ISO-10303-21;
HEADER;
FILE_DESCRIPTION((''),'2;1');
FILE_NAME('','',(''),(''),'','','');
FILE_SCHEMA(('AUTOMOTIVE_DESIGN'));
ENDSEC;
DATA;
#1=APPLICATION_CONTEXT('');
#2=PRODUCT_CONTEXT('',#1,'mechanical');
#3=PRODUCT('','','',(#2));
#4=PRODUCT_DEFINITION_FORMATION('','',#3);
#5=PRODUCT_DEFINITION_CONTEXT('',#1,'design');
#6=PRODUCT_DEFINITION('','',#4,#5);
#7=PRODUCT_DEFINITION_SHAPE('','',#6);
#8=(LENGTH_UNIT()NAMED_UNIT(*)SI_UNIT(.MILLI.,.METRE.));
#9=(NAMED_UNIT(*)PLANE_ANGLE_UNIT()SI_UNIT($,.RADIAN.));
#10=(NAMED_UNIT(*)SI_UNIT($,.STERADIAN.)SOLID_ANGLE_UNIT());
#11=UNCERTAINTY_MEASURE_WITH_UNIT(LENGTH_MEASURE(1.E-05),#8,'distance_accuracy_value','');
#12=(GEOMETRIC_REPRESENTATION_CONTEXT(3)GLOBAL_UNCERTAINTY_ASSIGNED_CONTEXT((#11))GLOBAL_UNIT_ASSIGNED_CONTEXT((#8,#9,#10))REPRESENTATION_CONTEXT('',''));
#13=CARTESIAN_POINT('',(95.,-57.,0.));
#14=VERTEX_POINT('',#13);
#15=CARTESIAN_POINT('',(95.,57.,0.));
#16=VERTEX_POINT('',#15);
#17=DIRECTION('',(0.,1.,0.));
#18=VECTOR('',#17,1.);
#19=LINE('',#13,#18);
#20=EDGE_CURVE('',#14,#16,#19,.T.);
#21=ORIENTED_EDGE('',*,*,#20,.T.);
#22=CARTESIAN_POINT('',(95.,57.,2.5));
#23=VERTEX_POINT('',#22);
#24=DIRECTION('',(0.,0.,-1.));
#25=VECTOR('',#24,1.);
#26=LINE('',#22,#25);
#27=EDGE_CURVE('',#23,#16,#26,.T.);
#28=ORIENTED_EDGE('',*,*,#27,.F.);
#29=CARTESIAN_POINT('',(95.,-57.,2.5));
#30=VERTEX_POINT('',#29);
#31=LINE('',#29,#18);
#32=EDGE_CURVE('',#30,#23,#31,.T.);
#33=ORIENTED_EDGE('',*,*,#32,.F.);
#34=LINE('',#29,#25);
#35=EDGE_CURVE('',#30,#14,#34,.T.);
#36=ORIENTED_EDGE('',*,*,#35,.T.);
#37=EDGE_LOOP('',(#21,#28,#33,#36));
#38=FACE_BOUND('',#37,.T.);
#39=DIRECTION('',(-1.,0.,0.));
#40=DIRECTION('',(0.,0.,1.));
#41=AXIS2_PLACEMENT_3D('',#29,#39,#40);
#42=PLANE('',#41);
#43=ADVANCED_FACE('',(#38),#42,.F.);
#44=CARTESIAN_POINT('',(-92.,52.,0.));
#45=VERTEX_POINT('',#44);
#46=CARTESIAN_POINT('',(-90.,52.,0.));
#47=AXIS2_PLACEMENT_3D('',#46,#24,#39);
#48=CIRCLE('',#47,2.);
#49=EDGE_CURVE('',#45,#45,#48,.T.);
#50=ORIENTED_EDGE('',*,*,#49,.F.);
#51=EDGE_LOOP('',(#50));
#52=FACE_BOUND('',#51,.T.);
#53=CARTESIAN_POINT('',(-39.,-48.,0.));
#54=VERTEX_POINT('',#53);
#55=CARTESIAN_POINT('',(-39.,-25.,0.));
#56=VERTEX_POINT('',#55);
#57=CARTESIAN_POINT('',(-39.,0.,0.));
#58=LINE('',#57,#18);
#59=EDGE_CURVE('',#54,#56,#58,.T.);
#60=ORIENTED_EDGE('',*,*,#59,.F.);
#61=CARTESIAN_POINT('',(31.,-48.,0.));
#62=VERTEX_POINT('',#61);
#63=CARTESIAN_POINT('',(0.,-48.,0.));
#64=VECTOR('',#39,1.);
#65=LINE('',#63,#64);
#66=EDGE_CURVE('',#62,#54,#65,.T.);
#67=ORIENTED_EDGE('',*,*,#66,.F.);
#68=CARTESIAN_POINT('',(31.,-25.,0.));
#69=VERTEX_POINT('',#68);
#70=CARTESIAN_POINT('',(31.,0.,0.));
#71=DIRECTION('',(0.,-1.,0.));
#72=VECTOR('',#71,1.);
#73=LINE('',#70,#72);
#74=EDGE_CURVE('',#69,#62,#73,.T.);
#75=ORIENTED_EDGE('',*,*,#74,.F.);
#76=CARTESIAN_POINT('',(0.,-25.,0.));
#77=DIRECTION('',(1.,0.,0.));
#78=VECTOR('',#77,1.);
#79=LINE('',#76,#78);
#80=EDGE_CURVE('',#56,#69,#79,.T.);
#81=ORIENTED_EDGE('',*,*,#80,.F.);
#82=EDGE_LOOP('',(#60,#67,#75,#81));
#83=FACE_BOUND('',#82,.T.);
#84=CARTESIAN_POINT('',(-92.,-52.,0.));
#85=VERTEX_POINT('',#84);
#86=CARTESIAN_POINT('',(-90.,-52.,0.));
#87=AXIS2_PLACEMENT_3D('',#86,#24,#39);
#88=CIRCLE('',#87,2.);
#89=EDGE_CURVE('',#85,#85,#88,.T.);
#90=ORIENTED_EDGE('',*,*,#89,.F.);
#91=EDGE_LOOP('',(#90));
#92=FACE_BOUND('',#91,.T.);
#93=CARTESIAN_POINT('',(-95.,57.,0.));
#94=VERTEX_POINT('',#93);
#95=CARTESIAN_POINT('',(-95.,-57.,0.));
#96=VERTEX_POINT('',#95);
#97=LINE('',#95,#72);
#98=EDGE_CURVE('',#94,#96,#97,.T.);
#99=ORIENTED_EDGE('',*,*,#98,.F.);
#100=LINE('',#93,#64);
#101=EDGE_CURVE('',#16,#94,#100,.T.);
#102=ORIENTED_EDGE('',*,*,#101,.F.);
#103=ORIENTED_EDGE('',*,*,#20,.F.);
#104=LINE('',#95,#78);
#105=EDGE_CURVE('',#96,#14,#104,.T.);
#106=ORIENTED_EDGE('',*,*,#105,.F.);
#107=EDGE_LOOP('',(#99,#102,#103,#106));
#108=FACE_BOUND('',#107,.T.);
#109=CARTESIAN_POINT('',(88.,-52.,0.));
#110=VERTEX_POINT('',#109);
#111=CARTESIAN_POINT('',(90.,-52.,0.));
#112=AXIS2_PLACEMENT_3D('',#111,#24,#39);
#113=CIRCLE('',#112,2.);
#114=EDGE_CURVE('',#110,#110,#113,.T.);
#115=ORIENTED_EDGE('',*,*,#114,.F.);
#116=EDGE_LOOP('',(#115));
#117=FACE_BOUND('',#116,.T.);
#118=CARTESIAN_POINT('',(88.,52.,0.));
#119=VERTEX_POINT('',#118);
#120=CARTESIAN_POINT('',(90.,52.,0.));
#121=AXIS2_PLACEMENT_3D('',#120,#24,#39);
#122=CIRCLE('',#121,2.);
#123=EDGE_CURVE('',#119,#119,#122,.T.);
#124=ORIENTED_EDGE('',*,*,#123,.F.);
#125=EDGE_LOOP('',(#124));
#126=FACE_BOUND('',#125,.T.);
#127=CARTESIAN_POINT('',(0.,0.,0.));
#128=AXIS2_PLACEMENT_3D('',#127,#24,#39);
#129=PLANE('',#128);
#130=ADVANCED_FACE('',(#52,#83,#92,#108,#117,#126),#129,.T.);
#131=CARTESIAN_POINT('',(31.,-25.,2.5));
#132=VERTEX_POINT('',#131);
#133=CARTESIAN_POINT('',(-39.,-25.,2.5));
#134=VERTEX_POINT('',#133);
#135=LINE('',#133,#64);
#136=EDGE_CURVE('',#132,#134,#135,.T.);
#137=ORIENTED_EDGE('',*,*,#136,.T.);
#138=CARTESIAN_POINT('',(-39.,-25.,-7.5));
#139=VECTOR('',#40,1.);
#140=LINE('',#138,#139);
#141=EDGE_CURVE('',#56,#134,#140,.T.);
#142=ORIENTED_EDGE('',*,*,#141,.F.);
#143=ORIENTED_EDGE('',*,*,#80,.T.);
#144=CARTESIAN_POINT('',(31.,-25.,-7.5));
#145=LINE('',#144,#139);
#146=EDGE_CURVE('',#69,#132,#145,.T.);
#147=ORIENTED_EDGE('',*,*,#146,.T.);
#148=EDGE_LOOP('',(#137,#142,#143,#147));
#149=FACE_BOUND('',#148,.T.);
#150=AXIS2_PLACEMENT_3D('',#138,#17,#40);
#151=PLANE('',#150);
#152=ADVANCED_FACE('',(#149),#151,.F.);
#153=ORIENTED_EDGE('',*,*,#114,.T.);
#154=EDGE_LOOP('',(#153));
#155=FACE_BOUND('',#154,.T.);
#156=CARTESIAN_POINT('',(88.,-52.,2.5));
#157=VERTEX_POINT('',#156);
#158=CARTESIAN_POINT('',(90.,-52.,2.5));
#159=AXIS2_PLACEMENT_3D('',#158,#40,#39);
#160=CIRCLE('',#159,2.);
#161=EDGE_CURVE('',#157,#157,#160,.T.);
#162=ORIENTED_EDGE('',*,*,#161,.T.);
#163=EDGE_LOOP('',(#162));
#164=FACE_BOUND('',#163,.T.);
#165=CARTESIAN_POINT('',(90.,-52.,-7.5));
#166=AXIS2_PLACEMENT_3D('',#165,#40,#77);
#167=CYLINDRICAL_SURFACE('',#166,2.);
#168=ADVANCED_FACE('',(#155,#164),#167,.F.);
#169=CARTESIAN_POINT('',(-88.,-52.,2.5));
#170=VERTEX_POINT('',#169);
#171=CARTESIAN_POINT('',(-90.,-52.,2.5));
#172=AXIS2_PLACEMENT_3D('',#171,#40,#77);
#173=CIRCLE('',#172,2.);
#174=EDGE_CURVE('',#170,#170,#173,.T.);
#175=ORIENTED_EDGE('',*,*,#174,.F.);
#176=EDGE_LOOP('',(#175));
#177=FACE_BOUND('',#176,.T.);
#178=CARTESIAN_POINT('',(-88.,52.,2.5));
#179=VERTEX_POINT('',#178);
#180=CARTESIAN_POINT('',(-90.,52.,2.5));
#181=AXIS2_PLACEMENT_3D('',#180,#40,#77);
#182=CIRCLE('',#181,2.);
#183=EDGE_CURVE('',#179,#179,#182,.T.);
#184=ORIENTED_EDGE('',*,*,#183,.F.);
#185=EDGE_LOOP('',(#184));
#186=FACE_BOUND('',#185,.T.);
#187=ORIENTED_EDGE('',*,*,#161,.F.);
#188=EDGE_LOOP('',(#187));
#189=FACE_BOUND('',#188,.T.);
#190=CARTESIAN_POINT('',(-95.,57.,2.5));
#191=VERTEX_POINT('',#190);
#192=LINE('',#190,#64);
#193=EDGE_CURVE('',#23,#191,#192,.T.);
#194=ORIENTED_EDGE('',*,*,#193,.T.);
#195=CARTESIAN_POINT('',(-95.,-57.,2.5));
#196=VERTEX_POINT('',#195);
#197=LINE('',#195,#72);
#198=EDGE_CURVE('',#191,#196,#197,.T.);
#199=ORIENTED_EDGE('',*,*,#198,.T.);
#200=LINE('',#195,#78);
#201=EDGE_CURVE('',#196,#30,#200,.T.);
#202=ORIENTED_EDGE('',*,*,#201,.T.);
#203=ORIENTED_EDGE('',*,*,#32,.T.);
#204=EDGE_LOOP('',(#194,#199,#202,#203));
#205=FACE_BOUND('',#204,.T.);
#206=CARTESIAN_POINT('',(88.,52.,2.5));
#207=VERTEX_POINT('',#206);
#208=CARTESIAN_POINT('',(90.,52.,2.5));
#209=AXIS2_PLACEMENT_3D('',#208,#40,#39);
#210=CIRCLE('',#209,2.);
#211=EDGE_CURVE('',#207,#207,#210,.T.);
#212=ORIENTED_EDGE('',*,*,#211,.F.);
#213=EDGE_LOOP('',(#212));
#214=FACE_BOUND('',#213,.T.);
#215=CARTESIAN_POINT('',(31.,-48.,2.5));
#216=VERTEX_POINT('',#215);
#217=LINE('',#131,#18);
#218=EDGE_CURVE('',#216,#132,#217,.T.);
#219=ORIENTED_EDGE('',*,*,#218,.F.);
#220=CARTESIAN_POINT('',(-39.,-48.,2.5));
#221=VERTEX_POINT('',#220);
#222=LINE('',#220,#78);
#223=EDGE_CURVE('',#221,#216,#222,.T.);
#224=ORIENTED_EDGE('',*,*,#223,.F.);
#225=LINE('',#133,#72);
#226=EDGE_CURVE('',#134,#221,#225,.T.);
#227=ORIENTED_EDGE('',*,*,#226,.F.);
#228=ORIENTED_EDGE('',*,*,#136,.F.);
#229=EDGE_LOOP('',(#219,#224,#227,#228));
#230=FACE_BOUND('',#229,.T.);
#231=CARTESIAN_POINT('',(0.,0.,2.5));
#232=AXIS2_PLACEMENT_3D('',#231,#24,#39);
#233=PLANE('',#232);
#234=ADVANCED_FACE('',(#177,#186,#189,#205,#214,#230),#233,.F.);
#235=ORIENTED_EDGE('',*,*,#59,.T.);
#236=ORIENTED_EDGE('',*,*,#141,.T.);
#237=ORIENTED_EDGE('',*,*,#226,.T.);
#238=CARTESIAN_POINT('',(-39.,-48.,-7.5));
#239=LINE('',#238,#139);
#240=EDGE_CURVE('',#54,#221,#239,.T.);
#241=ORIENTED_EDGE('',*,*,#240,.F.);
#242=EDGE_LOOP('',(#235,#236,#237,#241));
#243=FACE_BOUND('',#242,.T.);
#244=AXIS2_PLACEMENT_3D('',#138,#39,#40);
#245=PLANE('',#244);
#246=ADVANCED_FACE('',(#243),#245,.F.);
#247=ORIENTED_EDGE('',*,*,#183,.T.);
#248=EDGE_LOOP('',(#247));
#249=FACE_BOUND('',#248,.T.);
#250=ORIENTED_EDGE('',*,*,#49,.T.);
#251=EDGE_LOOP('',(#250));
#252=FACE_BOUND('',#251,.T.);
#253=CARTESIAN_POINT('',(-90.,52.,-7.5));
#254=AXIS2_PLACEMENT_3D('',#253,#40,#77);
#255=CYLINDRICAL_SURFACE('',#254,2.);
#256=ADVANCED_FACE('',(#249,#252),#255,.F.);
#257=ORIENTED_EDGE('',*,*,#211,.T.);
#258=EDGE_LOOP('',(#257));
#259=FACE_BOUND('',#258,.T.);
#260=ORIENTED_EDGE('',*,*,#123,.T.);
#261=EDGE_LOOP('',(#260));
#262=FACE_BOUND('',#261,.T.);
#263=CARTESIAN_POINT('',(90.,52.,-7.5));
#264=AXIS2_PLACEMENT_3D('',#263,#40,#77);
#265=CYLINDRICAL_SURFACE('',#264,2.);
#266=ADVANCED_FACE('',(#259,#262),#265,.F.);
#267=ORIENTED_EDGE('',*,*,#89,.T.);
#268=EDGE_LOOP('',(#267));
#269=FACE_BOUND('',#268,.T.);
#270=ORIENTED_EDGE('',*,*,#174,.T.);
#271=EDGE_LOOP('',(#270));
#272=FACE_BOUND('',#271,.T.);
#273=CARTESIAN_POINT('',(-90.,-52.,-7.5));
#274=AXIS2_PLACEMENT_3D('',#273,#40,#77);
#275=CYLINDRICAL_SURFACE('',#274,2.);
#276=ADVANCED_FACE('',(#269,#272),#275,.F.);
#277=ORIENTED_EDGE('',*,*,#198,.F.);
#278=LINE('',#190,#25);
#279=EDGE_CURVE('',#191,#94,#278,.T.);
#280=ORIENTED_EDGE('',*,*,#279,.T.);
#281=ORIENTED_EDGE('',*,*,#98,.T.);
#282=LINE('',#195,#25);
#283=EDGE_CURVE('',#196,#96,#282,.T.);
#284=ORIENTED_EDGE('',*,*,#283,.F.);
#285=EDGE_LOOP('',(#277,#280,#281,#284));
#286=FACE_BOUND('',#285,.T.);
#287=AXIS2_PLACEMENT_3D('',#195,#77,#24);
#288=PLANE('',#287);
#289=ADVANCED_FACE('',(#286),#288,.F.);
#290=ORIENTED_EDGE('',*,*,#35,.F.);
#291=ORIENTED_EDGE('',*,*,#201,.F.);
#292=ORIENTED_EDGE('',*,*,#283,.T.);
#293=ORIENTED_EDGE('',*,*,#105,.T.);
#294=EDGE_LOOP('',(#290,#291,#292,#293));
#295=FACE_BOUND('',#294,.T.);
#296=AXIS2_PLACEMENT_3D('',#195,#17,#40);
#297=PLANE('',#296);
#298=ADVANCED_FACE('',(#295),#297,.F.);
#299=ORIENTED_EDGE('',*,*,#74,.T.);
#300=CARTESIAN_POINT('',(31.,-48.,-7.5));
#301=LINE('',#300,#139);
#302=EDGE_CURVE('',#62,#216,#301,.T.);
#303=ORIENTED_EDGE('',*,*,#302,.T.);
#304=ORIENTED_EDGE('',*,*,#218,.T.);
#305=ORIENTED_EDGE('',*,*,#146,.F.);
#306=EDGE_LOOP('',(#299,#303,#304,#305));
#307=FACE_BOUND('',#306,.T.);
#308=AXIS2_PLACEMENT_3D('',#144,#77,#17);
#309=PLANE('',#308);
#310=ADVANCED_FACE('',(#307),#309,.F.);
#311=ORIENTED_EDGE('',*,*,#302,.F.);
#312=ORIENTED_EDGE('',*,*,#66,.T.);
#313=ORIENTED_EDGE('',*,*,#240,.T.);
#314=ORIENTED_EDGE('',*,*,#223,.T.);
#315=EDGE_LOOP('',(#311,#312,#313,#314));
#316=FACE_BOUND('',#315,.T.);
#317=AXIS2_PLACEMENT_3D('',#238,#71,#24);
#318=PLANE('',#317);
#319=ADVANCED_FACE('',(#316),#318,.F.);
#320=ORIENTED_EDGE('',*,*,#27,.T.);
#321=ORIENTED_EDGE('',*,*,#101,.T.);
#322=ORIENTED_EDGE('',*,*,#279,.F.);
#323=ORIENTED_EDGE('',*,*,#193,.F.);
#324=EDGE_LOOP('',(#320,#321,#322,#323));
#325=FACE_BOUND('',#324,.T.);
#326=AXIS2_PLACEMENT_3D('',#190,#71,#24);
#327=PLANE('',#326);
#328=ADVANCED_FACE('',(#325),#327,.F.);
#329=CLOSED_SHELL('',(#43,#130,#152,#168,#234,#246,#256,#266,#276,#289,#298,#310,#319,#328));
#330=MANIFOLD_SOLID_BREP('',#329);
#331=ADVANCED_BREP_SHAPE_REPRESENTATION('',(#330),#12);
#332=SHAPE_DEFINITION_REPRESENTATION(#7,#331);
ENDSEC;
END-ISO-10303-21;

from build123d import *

# Parameters (mm, degrees)
SKETCH1_W           = 190
SKETCH1_H           = 114
BOSS_EXTRUDE1_DEPTH = 2.5
SKETCH3_W           = 70
SKETCH3_H           = 23
CUT_EXTRUDE2_DEPTH  = 10
SKETCH4_R           = 2
CUT_EXTRUDE3_DEPTH  = 10


with BuildPart() as part:
    # Sketch1 → Boss-Extrude1 (new body)
    with BuildSketch(Plane.XY):
        Rectangle(SKETCH1_W, SKETCH1_H)
    extrude(amount=BOSS_EXTRUDE1_DEPTH)

    # Sketch3 → Cut-Extrude2 (cut)
    with BuildSketch(Plane.XY.offset(2.5)):
        with Locations((-4, -36.5)):
            Rectangle(SKETCH3_W, SKETCH3_H)
    extrude(amount=-CUT_EXTRUDE2_DEPTH, mode=Mode.SUBTRACT)

    # Sketch4 → Cut-Extrude3 (cut)
    with BuildSketch(Plane.XY.offset(2.5)):
        with Locations((-90, 52)):
            Circle(SKETCH4_R)
        with Locations(Location((90, 52, 0), (0, 0, 180))):
            Circle(SKETCH4_R)
        with Locations((-90, -52)):
            Circle(SKETCH4_R)
        with Locations(Location((90, -52, 0), (0, 0, 180))):
            Circle(SKETCH4_R)
    extrude(amount=-CUT_EXTRUDE3_DEPTH, mode=Mode.SUBTRACT)


solid = part.part
